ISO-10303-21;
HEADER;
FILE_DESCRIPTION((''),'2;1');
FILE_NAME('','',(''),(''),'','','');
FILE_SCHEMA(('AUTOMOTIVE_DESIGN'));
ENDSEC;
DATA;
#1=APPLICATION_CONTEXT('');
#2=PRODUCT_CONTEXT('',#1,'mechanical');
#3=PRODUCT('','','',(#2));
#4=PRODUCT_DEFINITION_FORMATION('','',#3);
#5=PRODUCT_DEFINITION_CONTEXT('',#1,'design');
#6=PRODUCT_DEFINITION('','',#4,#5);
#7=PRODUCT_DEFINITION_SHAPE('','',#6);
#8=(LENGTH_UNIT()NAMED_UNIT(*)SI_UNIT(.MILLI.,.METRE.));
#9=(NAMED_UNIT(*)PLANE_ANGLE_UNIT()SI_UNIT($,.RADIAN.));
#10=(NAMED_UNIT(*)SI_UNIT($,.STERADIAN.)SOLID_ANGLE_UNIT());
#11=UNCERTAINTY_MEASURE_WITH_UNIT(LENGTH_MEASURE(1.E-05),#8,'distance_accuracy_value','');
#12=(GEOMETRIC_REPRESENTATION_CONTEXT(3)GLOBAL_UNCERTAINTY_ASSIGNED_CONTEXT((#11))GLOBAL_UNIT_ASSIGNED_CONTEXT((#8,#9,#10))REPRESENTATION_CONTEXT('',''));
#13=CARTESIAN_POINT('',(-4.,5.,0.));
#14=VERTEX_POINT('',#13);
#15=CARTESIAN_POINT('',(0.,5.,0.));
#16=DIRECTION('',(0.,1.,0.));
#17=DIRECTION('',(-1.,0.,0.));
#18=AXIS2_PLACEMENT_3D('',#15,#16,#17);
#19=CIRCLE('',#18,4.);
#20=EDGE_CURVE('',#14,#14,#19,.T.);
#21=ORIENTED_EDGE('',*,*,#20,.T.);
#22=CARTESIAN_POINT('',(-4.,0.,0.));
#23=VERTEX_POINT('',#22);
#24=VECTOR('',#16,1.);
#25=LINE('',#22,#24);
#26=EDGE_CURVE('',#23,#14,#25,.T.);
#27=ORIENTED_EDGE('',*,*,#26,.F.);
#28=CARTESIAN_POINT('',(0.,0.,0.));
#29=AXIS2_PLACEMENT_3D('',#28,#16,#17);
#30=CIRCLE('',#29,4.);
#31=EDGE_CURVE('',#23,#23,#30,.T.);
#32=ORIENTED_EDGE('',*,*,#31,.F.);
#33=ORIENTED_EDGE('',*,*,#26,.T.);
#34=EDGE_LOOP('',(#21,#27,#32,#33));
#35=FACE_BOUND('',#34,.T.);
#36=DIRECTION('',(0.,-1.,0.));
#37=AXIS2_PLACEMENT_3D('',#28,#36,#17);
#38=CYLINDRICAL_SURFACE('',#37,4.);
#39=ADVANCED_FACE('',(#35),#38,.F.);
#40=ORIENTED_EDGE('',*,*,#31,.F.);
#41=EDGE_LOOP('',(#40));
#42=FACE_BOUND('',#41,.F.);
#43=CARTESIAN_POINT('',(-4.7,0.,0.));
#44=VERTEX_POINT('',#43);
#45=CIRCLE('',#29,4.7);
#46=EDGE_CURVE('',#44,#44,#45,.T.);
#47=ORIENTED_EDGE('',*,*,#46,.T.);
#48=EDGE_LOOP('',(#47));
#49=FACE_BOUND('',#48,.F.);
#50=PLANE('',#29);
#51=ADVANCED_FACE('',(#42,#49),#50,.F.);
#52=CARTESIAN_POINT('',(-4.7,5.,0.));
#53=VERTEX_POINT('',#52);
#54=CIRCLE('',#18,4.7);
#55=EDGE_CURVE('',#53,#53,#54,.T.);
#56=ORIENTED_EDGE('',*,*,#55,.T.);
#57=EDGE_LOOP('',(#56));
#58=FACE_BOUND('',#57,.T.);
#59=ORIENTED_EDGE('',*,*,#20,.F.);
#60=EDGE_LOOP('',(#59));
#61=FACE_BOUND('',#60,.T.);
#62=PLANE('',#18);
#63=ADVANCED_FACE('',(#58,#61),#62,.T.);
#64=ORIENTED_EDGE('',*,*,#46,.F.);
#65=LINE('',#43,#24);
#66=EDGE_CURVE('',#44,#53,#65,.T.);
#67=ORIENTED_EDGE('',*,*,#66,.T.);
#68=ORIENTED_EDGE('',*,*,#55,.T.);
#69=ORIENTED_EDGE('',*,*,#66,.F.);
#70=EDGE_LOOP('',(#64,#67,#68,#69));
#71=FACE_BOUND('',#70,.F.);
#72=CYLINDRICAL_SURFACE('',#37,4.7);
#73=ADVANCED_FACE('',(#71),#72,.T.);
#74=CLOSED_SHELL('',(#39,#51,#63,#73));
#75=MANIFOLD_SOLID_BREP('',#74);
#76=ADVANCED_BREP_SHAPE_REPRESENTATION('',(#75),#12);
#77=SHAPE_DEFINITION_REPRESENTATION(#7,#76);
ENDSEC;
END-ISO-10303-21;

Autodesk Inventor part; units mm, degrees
ref_plane "YZ Plane" through (0, 0, 0) normal (1, 0, 0) x (0, 1, 0)
ref_plane "XZ Plane" through (0, 0, 0) normal (0, 1, 0) x (-1, 0, 0)
ref_plane "XY Plane" through (0, 0, 0) normal (0, 0, 1) x (1, 0, 0)
sketch "Sketch1" plane through (0, 0, 0) normal (0, 1, 0) x (-1, 0, 0)
  circle A0 centre (0, 0) radius 4
  circle A1 centre (0, 0) radius 4.7
  dimension "d0" = 8
  dimension "d1" = 9.4
extrude "Extrusion1" add sketch "Sketch1" along normal blind 5
sketch "Sketch2" plane through (0, 0, 0) normal (0, -1, 0) x (1, 0, 0)
  circle A0 centre (0, 0) radius 5.4
  dimension "d4" = 10.8
properties part number "Large Spacer"
